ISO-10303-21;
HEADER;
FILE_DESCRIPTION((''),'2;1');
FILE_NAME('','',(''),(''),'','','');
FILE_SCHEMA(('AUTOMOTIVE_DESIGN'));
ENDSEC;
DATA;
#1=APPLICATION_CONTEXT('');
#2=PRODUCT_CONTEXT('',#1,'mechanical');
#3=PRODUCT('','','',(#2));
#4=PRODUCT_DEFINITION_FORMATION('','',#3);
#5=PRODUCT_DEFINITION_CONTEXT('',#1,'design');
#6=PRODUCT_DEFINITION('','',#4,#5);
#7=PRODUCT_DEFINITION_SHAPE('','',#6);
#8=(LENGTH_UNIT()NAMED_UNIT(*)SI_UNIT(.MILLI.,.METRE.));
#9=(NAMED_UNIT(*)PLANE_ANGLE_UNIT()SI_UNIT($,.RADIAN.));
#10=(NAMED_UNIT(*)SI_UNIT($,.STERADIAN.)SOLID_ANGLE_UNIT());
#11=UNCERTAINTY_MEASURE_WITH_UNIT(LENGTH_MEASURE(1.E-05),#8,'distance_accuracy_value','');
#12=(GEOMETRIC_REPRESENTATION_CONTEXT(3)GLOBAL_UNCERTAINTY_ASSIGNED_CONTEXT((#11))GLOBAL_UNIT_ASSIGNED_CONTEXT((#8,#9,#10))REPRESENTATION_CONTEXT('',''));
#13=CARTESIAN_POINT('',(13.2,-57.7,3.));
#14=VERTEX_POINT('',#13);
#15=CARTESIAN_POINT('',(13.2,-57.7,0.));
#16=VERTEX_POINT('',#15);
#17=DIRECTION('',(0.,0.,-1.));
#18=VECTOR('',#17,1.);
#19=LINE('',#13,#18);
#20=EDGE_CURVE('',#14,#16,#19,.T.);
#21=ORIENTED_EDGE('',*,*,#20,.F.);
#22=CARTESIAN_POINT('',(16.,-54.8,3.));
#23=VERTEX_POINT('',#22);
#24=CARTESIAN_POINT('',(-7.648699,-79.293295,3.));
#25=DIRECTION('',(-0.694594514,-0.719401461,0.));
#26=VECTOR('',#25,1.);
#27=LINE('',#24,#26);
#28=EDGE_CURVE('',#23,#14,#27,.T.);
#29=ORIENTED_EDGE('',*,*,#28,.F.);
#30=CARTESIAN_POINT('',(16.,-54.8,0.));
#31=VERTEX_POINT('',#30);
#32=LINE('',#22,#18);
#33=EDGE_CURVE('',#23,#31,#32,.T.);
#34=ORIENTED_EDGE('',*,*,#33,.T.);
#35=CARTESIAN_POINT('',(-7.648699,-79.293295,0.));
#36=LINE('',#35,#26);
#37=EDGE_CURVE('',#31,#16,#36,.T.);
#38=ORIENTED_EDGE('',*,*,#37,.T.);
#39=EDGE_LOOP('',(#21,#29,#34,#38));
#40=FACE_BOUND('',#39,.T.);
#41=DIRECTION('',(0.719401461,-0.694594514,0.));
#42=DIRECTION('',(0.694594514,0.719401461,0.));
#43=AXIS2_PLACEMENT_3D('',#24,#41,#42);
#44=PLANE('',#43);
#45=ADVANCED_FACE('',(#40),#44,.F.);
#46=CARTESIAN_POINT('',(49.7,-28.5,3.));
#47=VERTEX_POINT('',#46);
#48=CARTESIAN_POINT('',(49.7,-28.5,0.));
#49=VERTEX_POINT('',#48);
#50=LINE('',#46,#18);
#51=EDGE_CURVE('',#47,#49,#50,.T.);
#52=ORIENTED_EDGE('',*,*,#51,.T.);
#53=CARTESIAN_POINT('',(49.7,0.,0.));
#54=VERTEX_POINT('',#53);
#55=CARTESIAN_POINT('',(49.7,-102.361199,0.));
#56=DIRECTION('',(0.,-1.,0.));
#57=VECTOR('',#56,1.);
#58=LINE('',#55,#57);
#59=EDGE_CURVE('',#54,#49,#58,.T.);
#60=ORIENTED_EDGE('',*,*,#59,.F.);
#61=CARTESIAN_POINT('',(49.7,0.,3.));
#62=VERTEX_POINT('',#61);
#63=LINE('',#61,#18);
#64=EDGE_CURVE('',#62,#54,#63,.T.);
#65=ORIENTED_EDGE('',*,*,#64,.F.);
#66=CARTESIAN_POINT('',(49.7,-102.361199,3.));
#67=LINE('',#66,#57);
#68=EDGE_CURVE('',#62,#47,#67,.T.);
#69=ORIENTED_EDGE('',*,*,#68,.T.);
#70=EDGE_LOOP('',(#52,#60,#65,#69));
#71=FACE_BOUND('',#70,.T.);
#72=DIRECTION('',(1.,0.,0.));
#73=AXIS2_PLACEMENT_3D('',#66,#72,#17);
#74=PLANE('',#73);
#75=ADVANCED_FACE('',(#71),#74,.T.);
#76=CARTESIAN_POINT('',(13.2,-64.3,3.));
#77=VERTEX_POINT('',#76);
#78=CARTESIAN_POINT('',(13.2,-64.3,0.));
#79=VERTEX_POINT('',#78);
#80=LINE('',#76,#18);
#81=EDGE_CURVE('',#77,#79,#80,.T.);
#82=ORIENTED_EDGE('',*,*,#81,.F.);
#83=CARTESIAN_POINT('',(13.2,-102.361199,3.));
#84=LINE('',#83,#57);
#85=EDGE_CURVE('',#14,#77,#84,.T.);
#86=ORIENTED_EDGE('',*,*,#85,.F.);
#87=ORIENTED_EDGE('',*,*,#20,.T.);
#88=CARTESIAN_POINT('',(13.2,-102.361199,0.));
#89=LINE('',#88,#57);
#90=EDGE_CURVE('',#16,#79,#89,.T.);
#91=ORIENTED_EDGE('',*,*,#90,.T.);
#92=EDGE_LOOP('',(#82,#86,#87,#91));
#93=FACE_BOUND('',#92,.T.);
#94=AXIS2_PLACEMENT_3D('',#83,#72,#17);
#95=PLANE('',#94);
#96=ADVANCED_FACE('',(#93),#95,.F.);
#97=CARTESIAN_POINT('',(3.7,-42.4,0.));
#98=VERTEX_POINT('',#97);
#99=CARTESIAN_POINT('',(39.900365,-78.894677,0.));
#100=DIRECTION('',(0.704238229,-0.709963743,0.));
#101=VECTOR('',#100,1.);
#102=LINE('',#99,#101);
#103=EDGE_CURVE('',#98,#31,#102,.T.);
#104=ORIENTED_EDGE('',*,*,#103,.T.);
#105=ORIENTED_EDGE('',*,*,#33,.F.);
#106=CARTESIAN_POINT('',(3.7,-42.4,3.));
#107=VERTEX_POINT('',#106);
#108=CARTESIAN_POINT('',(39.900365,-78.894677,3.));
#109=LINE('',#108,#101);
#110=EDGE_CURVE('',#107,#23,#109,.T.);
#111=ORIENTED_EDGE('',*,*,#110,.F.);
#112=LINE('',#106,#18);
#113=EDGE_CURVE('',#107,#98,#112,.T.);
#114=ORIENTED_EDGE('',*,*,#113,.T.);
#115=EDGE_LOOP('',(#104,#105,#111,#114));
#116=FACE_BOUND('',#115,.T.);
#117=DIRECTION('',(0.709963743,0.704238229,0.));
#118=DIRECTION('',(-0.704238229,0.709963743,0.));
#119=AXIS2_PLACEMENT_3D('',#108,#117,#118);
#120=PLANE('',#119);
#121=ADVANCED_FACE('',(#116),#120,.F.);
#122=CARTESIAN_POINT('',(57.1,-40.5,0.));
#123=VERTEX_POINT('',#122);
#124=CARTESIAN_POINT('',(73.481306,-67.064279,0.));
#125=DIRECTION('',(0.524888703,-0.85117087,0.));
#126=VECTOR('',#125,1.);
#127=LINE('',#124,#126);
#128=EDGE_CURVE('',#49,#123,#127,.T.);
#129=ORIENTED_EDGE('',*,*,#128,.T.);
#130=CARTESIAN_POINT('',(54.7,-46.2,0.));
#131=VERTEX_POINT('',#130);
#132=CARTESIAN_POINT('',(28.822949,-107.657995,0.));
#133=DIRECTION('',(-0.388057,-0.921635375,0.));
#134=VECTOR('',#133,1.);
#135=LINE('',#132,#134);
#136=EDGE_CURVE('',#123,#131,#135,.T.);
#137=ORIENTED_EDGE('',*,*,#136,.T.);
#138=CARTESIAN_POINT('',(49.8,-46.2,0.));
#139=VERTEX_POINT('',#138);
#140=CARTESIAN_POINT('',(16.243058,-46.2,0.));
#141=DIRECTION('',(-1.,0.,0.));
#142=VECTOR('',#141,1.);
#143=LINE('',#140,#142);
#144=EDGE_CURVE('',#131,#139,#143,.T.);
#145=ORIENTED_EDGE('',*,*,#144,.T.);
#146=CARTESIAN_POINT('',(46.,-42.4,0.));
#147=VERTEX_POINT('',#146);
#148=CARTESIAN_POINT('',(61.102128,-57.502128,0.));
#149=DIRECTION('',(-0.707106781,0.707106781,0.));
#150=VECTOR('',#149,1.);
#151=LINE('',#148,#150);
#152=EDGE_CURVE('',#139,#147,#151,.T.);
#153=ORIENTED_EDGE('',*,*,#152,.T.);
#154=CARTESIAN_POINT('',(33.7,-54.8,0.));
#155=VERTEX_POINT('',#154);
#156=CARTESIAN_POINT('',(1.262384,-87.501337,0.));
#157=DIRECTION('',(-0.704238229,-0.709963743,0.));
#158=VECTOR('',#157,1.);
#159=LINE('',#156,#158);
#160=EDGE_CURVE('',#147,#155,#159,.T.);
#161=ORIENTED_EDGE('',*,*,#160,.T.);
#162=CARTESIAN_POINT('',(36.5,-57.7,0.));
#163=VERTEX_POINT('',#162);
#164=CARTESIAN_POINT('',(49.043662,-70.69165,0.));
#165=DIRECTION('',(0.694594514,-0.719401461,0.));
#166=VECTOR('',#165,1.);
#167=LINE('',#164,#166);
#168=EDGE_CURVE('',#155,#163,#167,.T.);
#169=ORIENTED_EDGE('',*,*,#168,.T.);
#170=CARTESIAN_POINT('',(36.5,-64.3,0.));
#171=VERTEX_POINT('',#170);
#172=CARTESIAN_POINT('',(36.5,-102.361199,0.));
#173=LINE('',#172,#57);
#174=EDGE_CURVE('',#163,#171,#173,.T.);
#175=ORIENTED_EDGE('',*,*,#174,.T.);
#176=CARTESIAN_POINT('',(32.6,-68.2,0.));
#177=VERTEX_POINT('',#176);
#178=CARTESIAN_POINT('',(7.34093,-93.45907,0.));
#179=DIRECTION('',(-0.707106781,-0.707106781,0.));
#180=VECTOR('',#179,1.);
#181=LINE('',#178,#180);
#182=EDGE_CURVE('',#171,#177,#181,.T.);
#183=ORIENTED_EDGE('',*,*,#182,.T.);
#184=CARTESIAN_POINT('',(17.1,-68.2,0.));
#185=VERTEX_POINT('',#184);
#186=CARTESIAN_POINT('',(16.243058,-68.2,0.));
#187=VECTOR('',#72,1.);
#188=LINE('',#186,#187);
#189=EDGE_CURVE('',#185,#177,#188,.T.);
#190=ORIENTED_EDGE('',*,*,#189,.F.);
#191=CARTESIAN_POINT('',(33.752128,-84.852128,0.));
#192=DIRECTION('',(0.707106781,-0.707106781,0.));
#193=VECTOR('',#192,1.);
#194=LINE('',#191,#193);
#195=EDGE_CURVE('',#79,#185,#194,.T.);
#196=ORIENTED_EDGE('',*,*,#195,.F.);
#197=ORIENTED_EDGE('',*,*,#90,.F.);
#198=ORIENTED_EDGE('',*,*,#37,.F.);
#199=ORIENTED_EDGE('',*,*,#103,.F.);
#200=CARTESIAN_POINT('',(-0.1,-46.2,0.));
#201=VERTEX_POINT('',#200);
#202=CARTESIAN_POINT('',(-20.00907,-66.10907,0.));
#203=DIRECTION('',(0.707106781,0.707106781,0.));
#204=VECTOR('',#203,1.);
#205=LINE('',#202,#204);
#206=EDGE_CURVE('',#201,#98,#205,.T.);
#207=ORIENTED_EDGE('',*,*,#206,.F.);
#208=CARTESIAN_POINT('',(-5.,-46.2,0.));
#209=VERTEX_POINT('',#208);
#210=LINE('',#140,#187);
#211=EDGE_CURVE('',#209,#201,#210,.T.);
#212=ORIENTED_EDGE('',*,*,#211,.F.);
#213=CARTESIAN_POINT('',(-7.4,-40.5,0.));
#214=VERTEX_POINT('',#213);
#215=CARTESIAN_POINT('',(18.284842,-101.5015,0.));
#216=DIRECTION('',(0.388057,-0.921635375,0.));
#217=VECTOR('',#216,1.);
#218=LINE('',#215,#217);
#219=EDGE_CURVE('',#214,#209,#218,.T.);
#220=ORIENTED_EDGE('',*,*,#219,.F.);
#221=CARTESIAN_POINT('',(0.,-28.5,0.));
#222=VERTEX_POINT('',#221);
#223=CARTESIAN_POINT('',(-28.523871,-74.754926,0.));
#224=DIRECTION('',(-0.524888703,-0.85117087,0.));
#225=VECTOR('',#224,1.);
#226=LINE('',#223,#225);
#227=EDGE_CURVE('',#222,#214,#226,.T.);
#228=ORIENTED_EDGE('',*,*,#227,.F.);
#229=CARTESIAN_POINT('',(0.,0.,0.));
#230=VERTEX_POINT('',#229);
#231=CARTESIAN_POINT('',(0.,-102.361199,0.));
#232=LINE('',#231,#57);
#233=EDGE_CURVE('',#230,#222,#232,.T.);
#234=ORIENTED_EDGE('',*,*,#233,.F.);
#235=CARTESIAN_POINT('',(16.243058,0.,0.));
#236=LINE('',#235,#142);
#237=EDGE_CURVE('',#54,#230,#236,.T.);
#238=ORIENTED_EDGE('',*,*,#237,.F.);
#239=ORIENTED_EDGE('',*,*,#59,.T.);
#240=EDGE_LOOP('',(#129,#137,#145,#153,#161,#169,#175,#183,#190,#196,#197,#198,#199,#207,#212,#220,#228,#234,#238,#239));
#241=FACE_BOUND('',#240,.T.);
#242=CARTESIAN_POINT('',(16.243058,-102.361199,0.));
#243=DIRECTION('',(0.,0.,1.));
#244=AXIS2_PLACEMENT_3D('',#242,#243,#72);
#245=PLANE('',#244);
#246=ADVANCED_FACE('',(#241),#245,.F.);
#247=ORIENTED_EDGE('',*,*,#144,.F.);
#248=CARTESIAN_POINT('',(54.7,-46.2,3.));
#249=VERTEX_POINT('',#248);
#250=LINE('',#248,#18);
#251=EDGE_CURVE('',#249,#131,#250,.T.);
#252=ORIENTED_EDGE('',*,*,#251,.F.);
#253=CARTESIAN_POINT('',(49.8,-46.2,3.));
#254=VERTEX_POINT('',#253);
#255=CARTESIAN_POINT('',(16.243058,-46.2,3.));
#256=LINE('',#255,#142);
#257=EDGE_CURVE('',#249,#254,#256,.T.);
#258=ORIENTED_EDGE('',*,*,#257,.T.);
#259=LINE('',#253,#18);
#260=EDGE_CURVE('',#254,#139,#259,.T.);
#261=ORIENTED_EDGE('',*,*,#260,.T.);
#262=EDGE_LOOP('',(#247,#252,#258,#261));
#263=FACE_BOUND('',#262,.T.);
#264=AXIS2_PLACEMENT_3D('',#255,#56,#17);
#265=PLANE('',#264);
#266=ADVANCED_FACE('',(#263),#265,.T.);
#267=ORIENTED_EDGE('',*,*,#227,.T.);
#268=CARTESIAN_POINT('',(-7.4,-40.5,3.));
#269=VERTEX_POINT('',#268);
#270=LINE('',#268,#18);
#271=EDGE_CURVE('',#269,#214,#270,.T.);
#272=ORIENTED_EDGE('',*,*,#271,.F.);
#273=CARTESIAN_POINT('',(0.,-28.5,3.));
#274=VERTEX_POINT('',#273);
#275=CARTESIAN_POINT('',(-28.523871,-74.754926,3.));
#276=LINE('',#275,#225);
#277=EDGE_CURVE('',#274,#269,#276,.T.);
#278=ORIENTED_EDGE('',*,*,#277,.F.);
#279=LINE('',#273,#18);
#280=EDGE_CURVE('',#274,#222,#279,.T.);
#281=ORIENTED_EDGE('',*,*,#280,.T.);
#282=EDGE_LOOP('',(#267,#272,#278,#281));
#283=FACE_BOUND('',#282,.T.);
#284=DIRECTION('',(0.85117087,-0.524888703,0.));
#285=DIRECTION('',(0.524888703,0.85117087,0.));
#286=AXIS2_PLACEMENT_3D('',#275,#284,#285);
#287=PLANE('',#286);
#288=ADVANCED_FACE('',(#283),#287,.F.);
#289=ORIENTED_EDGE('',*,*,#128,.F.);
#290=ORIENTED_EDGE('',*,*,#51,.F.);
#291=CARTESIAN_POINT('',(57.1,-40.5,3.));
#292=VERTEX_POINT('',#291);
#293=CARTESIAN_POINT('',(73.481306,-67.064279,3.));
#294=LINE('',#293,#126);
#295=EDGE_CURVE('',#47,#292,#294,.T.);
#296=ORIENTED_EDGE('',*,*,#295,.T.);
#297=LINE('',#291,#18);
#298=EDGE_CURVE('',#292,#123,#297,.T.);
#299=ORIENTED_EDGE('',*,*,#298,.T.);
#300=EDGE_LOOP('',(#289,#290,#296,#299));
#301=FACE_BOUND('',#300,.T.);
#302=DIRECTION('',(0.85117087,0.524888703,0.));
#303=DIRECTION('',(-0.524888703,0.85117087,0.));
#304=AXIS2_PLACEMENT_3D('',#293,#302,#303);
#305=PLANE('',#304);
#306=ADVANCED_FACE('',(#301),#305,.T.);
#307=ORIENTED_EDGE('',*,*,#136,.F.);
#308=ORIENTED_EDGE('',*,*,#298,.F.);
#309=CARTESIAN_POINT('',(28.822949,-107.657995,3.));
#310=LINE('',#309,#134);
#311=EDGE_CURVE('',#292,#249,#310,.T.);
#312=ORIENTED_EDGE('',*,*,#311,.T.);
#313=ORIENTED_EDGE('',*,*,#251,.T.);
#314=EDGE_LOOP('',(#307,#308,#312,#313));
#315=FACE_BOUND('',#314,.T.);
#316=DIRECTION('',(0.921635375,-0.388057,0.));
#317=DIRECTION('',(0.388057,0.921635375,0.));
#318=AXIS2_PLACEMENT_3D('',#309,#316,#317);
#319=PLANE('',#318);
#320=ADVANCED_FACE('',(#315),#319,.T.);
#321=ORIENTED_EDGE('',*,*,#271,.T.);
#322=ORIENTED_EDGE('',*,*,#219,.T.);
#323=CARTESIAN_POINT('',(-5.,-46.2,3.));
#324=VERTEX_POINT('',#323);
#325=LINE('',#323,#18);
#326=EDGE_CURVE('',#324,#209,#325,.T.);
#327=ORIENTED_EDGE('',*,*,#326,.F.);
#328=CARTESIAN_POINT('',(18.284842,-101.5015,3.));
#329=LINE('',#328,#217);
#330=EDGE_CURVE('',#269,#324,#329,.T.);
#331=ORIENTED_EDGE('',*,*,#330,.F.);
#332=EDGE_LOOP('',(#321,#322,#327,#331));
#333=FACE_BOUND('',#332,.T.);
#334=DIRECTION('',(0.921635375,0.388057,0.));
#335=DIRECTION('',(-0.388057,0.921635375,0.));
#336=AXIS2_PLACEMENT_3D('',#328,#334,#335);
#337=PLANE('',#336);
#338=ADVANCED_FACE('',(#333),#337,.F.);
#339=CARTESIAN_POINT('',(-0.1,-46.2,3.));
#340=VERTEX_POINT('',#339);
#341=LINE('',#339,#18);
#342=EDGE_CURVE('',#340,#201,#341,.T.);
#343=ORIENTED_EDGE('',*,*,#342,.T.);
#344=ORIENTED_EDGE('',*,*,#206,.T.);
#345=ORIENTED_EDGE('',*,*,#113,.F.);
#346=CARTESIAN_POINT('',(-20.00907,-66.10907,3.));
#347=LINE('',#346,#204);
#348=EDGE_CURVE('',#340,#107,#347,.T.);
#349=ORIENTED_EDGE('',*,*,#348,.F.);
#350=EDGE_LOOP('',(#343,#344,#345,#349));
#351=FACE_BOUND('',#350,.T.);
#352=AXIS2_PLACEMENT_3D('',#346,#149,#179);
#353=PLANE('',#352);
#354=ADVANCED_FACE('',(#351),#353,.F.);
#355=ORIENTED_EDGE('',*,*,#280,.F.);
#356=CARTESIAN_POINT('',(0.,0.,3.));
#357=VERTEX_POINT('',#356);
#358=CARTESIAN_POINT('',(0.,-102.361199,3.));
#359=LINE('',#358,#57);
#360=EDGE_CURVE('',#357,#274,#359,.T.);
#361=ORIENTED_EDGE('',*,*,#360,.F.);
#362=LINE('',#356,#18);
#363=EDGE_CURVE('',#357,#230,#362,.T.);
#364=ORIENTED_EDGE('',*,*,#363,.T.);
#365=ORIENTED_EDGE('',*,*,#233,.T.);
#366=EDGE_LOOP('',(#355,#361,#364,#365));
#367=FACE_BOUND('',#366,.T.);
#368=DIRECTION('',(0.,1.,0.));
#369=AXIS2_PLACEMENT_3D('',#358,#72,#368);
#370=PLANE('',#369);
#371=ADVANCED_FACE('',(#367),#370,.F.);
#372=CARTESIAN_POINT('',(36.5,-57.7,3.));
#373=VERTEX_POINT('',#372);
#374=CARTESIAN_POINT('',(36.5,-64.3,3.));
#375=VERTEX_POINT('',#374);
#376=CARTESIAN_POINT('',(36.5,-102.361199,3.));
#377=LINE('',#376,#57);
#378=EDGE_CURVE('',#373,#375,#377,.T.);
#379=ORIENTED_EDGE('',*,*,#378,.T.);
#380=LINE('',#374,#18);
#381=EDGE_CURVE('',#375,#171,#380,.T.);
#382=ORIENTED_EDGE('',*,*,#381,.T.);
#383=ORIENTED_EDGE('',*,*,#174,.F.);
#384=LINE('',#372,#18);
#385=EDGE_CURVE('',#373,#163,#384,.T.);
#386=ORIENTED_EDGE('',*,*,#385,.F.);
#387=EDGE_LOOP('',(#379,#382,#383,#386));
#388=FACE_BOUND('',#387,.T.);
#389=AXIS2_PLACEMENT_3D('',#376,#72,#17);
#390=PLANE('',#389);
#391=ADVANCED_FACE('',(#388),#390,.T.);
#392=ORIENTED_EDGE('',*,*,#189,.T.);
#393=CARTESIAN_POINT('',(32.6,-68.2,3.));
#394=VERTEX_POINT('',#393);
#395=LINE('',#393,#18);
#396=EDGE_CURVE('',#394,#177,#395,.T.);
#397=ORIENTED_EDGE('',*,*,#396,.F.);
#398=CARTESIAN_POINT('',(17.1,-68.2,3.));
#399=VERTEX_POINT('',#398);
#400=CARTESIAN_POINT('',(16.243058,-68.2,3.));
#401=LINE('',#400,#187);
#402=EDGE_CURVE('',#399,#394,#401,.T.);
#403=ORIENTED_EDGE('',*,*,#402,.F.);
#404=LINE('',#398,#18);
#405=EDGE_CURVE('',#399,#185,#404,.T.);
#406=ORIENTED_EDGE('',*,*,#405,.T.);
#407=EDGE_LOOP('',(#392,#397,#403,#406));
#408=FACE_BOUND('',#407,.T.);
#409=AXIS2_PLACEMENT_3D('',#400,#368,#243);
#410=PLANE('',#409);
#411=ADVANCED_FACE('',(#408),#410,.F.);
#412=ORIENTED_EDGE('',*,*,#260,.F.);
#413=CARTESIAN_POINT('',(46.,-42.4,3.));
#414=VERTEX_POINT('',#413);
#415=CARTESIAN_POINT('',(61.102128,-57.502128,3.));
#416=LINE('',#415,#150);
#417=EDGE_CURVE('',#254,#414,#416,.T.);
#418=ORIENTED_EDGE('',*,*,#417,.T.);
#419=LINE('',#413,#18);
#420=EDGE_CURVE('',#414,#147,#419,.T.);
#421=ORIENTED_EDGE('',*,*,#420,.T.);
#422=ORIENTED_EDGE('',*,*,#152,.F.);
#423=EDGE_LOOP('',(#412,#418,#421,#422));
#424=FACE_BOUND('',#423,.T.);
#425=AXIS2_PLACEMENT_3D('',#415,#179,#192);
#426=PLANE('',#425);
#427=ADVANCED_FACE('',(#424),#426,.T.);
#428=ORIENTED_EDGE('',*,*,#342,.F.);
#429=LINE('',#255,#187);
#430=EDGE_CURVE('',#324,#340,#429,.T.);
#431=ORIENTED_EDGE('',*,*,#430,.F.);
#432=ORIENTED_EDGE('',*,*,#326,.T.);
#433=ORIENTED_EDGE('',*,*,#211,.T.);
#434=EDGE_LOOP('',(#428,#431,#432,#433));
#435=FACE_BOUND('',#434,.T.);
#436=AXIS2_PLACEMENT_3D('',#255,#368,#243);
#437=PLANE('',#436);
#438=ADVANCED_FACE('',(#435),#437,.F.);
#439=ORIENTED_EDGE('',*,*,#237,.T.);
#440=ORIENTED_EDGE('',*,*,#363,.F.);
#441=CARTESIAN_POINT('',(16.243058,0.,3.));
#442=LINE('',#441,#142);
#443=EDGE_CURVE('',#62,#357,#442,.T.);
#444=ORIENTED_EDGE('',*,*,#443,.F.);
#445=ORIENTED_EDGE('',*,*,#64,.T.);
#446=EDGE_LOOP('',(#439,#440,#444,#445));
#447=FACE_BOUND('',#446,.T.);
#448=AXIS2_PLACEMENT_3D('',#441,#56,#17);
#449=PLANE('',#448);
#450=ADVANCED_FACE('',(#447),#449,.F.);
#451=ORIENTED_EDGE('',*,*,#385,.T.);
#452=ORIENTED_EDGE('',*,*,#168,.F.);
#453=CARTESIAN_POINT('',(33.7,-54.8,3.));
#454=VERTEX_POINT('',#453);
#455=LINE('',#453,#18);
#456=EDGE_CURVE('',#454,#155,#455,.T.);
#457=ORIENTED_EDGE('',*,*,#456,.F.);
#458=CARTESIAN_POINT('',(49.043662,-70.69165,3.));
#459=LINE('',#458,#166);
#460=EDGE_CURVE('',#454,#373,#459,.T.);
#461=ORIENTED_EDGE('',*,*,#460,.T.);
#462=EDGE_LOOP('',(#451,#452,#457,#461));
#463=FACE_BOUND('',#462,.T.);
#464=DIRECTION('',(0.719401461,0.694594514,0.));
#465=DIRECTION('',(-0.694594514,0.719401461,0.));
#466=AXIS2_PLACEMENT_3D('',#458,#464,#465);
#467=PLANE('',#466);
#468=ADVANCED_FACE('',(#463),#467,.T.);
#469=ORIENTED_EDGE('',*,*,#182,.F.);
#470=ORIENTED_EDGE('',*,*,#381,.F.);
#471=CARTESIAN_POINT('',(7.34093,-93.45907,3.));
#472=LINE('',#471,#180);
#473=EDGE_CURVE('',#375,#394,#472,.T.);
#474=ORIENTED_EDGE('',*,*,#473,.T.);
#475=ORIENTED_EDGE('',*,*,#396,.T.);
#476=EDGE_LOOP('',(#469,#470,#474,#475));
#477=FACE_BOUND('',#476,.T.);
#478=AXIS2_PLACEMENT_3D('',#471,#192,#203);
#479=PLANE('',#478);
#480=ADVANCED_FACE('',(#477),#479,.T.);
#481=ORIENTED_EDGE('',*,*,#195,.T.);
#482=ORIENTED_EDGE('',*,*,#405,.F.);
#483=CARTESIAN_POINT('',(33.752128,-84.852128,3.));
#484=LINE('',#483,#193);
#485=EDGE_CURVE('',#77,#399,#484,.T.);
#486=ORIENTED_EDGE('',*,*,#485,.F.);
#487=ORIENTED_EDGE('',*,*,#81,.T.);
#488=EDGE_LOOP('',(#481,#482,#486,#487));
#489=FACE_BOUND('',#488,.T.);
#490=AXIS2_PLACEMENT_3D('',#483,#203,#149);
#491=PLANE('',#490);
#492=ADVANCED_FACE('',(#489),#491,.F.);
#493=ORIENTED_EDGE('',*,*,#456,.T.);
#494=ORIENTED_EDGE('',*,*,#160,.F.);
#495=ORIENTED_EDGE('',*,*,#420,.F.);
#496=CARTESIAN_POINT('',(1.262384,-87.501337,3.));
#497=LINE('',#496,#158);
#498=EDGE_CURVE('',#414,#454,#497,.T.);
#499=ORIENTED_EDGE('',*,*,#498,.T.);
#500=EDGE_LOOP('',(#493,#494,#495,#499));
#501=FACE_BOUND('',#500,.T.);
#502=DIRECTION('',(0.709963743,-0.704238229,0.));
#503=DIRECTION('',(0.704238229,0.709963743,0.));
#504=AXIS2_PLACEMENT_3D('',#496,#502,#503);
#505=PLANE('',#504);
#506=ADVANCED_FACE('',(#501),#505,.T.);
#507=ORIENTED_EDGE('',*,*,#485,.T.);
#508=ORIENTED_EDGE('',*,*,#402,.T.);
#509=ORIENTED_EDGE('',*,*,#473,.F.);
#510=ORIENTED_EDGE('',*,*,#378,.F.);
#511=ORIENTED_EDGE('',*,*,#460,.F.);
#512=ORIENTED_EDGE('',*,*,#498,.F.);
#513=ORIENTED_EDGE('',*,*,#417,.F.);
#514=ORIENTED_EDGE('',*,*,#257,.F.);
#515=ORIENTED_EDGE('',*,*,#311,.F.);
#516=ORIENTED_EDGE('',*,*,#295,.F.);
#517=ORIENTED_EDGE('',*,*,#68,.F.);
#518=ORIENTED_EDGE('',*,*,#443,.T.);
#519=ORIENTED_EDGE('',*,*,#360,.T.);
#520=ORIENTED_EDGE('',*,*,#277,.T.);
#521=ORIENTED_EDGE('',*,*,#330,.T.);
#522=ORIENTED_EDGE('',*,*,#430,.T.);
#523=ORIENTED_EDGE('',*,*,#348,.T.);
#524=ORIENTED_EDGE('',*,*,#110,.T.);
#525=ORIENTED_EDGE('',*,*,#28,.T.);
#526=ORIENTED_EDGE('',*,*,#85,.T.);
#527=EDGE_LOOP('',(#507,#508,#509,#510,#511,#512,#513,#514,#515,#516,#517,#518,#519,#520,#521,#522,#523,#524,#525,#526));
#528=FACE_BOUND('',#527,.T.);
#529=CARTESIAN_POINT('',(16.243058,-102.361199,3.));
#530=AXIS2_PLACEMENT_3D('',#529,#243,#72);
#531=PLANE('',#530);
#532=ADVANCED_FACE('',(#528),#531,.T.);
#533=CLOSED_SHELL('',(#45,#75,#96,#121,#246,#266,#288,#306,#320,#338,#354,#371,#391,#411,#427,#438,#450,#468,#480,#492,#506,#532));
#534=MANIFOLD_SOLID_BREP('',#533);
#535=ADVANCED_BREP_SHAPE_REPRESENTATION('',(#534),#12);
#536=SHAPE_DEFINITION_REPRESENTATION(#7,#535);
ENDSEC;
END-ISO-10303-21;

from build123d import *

# Parameters (mm, degrees)
EXTRUDE1_DEPTH = 3


with BuildPart() as part:
    # Sketch1 → Extrude1 (new body)
    with BuildSketch(Plane.XY):
        Polygon((49.7, 0), (24.85, 0), (24.85, -68.2), (32.6, -68.2), (36.5, -64.3), (36.5, -57.7), (33.7, -54.8), (46, -42.4), (49.8, -46.2), (54.7, -46.2), (57.1, -40.5), (49.7, -28.5), align=None)
        Polygon((24.85, 0), (0, 0), (0, -28.5), (-7.4, -40.5), (-5, -46.2), (-0.1, -46.2), (3.7, -42.4), (16, -54.8), (13.2, -57.7), (13.2, -64.3), (17.1, -68.2), (24.85, -68.2), align=None)
    extrude(amount=EXTRUDE1_DEPTH)


solid = part.part
